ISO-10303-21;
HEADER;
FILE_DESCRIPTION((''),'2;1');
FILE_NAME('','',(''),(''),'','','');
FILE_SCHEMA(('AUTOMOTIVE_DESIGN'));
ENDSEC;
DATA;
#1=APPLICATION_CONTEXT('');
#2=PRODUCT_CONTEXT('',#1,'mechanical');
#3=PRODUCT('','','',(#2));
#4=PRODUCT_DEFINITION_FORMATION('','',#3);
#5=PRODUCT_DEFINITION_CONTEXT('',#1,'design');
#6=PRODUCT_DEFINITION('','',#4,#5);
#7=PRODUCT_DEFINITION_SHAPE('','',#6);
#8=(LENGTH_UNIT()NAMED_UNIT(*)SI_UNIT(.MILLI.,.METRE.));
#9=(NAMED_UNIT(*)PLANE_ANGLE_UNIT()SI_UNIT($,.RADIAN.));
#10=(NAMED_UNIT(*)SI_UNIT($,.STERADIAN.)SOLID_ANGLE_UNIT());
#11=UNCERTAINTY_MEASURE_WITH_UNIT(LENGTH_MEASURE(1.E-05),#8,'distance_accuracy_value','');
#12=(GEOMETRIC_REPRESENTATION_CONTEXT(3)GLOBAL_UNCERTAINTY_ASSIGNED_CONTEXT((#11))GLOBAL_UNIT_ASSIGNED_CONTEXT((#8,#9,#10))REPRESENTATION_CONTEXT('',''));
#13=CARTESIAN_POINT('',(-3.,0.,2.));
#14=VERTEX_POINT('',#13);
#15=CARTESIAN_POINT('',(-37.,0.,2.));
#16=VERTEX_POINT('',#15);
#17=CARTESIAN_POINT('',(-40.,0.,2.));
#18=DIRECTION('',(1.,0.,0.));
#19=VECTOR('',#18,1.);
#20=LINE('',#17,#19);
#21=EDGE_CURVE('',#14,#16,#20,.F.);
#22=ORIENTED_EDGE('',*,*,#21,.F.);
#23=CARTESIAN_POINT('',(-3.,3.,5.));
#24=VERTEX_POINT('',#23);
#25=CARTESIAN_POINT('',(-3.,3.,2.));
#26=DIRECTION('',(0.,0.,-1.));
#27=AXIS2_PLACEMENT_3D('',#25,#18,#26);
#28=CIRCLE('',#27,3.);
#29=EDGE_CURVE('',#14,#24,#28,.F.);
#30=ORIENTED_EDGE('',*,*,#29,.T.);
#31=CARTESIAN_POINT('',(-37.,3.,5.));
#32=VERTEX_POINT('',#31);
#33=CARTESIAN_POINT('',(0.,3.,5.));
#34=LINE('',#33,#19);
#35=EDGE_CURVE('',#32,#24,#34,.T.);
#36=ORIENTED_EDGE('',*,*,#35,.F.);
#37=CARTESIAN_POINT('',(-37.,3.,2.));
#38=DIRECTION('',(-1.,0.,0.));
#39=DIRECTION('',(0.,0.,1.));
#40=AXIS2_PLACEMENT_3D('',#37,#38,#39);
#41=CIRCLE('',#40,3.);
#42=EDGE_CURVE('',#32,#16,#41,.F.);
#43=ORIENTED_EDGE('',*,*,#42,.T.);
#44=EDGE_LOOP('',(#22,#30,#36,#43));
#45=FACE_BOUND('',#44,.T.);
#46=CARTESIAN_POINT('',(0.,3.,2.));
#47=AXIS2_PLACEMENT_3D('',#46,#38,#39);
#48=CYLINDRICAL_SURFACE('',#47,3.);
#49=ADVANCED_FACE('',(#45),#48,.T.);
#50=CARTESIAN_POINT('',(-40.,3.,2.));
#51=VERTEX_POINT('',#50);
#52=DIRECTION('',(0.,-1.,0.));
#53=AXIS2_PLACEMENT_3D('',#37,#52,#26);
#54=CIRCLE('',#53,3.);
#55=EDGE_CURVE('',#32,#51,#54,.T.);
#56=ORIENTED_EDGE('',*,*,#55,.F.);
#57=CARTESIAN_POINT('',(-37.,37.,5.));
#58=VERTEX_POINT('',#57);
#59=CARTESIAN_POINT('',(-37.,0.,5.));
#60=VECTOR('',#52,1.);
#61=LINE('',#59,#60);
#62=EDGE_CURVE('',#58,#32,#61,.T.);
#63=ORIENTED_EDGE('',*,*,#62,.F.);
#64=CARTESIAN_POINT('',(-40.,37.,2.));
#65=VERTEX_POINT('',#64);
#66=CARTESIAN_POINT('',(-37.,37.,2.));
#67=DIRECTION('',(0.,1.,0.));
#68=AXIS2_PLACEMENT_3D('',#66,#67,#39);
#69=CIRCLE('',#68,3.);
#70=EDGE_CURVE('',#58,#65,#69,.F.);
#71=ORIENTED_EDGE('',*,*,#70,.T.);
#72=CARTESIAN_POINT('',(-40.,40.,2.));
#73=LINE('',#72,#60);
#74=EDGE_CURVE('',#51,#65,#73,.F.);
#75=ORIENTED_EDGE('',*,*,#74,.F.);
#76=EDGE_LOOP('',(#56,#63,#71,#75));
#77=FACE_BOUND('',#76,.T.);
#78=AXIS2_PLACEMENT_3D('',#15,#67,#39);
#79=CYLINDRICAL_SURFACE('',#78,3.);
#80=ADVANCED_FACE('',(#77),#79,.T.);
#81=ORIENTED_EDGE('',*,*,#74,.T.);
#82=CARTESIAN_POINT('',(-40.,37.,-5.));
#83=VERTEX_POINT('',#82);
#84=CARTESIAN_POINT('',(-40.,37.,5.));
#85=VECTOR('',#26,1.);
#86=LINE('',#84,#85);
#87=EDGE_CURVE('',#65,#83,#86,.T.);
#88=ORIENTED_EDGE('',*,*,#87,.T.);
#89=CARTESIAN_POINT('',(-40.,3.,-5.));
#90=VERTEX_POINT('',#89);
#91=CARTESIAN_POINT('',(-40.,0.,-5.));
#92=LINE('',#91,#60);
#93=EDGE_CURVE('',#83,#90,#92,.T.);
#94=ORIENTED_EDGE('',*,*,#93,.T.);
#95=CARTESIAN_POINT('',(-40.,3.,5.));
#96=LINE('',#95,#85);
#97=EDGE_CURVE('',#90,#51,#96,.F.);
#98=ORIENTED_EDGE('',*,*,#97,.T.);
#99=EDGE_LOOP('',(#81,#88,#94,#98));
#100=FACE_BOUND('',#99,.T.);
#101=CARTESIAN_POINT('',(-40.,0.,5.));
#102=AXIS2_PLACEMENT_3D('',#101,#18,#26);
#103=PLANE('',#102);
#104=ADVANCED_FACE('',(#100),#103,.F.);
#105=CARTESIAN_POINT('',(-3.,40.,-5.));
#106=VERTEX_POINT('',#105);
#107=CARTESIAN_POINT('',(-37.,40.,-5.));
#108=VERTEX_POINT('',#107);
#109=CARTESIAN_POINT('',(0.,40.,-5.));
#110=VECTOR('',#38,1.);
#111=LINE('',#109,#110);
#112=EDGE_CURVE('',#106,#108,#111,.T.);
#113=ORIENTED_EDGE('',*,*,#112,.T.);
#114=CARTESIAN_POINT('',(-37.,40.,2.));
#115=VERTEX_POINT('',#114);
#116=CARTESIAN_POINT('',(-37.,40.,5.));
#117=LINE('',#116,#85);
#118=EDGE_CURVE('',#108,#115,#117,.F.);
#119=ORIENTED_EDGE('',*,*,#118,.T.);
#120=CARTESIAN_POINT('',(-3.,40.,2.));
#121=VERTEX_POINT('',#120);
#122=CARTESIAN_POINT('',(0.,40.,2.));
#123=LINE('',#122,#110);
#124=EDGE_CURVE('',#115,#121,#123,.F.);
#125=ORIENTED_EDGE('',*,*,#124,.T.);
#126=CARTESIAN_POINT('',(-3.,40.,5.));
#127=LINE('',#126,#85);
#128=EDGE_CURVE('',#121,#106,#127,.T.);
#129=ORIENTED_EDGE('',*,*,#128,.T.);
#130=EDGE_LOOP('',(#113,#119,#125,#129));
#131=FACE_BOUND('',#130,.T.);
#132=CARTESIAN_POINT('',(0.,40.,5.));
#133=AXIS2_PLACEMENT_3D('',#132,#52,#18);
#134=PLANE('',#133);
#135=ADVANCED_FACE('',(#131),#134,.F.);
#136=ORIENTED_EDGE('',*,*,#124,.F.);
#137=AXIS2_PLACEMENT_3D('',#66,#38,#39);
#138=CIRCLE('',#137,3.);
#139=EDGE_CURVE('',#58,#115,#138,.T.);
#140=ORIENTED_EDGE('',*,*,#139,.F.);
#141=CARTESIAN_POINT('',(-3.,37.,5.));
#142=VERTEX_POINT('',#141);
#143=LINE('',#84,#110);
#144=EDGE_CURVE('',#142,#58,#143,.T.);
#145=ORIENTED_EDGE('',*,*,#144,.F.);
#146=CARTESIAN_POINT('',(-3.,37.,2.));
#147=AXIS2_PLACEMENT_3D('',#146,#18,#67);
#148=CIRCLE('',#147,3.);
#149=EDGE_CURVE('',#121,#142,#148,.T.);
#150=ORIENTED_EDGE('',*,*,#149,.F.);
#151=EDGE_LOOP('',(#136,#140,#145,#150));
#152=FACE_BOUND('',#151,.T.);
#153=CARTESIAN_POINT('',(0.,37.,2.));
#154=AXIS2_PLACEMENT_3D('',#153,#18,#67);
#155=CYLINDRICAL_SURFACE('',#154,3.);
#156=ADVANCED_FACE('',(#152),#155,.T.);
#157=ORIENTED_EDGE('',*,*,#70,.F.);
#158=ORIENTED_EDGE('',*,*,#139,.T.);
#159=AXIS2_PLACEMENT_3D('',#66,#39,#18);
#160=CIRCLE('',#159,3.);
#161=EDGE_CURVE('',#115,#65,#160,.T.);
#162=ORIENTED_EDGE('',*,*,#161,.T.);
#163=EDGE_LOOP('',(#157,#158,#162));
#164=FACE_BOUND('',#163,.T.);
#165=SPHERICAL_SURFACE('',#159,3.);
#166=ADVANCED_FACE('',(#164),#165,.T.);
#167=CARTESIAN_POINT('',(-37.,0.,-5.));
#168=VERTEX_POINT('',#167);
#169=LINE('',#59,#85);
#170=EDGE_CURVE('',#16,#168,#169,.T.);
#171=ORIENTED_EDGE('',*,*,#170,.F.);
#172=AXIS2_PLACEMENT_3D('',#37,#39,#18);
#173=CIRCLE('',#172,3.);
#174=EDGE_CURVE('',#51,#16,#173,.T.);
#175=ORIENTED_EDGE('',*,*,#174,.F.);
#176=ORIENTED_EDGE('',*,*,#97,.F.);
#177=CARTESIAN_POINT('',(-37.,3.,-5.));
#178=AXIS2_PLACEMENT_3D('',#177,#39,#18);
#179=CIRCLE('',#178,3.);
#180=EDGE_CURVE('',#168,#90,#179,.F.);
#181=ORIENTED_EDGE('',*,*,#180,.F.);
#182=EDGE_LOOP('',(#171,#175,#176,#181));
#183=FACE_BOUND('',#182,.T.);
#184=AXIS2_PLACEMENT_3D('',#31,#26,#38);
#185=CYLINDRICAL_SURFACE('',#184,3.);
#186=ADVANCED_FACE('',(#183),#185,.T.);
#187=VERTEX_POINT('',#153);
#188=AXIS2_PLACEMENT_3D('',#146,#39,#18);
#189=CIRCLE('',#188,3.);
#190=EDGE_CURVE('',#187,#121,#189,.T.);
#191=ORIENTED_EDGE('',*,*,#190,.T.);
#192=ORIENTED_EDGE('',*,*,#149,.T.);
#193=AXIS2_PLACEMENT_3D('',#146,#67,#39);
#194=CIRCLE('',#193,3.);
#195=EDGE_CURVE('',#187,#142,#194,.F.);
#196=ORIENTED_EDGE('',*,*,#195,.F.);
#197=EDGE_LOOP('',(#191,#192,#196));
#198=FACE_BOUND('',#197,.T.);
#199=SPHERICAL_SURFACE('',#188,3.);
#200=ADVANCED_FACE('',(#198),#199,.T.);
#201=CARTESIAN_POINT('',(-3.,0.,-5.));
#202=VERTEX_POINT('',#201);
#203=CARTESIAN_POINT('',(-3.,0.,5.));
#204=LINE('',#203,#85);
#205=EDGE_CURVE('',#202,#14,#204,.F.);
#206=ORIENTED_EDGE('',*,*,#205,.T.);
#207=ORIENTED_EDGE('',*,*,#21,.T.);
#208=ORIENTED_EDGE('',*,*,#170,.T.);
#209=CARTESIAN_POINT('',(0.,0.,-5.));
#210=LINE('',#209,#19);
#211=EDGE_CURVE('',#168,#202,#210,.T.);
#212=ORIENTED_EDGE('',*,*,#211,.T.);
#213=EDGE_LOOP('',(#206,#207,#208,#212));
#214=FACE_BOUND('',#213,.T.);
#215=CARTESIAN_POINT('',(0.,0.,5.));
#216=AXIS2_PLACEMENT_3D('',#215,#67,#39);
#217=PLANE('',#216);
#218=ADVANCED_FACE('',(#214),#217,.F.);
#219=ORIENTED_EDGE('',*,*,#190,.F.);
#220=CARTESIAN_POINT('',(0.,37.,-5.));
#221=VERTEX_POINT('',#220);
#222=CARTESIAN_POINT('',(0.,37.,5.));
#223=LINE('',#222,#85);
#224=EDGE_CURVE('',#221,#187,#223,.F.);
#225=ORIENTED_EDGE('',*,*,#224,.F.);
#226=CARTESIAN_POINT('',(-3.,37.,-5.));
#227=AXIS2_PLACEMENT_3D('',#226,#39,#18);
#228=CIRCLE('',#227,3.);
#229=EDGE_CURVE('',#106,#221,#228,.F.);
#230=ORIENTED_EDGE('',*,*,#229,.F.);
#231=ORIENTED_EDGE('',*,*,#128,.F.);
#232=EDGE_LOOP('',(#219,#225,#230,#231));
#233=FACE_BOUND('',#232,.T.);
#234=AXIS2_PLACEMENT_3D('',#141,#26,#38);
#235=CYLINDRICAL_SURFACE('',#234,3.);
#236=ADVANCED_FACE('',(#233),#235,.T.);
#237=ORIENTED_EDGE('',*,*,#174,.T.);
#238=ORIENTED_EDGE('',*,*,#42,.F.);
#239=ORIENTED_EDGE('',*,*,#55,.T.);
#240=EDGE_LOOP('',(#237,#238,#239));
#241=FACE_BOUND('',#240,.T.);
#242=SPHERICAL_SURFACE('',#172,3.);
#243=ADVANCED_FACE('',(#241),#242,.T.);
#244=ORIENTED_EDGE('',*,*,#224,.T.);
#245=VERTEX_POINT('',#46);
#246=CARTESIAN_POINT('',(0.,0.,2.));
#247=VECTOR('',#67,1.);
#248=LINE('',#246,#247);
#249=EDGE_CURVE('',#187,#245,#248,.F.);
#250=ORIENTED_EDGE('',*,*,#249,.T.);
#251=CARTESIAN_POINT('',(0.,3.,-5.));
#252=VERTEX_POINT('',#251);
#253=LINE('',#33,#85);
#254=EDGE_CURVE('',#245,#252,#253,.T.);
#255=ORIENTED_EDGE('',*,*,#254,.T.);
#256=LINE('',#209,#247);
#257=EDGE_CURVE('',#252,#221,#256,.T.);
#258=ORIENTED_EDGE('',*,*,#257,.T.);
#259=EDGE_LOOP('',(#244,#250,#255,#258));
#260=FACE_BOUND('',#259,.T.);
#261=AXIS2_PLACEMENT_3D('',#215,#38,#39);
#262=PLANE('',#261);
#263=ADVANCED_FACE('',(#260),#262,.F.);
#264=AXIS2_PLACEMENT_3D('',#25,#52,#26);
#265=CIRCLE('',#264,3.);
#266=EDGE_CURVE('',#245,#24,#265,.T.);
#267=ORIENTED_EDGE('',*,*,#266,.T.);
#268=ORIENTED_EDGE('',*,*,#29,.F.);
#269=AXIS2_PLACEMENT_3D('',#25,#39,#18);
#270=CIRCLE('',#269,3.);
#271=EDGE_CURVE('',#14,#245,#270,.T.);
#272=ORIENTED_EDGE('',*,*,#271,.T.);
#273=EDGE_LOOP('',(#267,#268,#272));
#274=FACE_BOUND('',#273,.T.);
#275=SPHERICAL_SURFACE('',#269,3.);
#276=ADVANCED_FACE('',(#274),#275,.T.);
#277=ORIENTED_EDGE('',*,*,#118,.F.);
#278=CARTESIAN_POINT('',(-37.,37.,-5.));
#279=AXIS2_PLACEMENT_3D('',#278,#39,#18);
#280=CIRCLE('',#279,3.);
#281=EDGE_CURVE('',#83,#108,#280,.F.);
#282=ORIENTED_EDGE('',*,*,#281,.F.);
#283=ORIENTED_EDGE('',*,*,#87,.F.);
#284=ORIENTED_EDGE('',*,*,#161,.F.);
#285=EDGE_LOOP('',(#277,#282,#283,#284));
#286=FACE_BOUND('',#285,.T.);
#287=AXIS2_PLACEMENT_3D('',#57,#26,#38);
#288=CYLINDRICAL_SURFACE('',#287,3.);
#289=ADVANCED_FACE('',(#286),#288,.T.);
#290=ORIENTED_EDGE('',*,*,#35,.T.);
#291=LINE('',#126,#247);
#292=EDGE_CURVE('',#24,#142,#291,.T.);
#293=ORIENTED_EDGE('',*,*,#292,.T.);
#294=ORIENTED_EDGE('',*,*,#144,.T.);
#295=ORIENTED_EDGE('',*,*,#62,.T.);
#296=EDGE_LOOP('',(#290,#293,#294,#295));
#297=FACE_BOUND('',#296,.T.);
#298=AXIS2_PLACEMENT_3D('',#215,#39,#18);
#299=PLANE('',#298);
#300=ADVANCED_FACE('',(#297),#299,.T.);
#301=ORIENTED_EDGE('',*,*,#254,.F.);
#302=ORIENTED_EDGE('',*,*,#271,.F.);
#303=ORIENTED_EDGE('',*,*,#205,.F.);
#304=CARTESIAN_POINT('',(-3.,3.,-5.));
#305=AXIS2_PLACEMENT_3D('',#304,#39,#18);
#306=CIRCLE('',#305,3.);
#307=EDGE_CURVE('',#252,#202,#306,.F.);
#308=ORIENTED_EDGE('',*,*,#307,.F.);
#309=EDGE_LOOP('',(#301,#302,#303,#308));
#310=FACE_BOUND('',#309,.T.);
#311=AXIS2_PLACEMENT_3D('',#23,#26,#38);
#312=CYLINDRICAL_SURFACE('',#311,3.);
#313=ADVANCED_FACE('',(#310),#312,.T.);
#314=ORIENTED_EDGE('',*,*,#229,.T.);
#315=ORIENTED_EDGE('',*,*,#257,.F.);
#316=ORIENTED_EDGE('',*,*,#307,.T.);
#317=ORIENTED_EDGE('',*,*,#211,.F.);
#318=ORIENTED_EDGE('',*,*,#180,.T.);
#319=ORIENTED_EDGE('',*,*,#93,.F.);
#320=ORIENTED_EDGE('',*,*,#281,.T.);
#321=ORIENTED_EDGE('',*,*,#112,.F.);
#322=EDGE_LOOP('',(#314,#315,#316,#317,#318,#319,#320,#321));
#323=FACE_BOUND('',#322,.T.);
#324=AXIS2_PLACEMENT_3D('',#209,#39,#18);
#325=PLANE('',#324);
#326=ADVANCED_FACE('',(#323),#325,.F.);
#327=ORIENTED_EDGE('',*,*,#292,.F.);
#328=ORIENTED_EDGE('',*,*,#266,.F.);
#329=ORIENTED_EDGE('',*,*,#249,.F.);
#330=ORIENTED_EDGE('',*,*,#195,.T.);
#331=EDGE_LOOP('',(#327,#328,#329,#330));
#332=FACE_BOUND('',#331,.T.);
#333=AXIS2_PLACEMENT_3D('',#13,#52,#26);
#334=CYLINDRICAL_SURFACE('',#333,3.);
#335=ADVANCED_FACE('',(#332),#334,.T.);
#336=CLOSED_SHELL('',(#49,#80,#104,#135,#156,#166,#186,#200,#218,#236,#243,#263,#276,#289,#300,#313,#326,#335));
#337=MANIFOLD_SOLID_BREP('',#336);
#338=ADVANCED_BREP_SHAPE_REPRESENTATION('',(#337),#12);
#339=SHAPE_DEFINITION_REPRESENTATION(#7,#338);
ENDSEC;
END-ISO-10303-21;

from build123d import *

# Parameters (mm, degrees)
SKETCH1_W           = 40
SKETCH1_H           = 40
BOSS_EXTRUDE1_DEPTH = 5
FILLET1_R           = 3


with BuildPart() as part:
    # Sketch1 → Boss-Extrude1 (new body, symmetric)
    with BuildSketch(Plane.XY):
        with Locations((-20, 20)):
            Rectangle(SKETCH1_W, SKETCH1_H)
    extrude(amount=BOSS_EXTRUDE1_DEPTH, both=True)

    # Fillet1
    fillet1_edges = [part.edges().sort_by_distance(p)[0] for p in [
        (-40, 20, 5),
        (-20, 0, 5),
        (0, 20, 5),
        (0, 0, 0),
        (-40, 0, 0),
        (-40, 40, 0),
        (0, 40, 0),
        (-20, 40, 5),
    ]]
    fillet(fillet1_edges, radius=FILLET1_R)


solid = part.part
